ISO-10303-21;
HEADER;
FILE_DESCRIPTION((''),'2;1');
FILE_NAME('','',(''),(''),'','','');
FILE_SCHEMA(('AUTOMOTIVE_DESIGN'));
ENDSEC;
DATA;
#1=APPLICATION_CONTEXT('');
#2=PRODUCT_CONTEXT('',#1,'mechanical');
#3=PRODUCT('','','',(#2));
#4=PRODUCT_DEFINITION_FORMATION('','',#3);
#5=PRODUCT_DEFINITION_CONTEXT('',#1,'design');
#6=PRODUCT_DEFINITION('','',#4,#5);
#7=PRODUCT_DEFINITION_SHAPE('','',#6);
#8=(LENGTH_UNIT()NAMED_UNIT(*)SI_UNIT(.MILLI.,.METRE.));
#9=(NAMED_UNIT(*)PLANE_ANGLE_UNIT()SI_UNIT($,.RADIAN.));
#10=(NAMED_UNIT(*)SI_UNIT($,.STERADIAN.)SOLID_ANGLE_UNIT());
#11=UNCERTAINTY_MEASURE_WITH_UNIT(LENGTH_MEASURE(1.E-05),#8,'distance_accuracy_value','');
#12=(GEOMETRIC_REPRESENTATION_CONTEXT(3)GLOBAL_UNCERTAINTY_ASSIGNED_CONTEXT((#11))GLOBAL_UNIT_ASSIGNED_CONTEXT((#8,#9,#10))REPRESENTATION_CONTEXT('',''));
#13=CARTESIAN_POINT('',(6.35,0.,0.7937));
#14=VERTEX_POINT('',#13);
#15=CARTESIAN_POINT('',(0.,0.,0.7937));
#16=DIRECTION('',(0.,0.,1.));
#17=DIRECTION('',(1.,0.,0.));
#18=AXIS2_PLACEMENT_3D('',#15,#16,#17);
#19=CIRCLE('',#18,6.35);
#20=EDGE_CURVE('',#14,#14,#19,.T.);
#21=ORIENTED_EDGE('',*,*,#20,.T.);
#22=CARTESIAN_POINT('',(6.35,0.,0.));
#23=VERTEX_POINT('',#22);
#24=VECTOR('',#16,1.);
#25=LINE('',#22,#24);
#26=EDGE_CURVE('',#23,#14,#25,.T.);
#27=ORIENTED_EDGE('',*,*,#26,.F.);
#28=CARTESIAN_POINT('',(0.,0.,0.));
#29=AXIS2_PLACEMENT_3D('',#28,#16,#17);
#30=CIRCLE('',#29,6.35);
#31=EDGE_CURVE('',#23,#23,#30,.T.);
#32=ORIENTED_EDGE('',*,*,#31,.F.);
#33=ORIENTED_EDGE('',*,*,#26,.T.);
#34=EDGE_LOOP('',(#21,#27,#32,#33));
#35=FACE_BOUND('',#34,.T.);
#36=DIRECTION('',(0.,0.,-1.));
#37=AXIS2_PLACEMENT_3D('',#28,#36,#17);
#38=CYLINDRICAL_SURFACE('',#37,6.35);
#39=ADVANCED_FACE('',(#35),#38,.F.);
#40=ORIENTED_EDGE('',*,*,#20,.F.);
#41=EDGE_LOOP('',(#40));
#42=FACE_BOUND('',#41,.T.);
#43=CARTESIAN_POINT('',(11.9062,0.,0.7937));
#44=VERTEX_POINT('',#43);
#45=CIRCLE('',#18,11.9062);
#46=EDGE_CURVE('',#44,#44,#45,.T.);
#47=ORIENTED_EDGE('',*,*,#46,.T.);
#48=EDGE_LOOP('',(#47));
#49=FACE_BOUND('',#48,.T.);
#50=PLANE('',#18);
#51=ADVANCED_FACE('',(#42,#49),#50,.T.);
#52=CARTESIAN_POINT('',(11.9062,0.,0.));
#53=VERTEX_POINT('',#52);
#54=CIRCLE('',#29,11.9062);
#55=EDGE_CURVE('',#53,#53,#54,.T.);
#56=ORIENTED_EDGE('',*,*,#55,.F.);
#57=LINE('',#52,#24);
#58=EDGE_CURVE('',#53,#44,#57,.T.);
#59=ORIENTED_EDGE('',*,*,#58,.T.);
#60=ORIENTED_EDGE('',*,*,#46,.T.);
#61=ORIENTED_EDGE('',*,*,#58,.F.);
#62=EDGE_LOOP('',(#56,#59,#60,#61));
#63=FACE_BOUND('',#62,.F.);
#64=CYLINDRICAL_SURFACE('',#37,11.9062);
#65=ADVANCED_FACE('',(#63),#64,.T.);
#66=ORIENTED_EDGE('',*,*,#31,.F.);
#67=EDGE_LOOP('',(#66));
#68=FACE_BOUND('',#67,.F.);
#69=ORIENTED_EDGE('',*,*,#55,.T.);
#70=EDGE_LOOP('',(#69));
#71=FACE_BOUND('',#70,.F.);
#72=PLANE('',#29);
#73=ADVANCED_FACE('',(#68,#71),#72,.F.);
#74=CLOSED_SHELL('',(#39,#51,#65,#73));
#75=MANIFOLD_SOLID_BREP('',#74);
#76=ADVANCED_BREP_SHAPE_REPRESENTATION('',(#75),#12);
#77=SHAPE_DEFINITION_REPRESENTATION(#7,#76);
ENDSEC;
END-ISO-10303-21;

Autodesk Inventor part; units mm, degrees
ref_plane "YZ Plane" through (0, 0, 0) normal (1, 0, 0) x (0, 1, 0)
ref_plane "XZ Plane" through (0, 0, 0) normal (0, 1, 0) x (-1, 0, 0)
ref_plane "XY Plane" through (0, 0, 0) normal (0, 0, 1) x (1, 0, 0)
sketch "Sketch1" plane through (0, 0, 0) normal (0, 0, 1) x (1, 0, 0)
  circle A0 centre (0, 0) radius 6.35
  circle A1 centre (0, 0) radius 11.9062
  dimension "d0" = 12.7
  dimension "d1" = 23.8125
extrude "Extrusion1" add sketch "Sketch1" along normal blind 0.7937
properties part number ".5000 ID Needle Roller Washer"
